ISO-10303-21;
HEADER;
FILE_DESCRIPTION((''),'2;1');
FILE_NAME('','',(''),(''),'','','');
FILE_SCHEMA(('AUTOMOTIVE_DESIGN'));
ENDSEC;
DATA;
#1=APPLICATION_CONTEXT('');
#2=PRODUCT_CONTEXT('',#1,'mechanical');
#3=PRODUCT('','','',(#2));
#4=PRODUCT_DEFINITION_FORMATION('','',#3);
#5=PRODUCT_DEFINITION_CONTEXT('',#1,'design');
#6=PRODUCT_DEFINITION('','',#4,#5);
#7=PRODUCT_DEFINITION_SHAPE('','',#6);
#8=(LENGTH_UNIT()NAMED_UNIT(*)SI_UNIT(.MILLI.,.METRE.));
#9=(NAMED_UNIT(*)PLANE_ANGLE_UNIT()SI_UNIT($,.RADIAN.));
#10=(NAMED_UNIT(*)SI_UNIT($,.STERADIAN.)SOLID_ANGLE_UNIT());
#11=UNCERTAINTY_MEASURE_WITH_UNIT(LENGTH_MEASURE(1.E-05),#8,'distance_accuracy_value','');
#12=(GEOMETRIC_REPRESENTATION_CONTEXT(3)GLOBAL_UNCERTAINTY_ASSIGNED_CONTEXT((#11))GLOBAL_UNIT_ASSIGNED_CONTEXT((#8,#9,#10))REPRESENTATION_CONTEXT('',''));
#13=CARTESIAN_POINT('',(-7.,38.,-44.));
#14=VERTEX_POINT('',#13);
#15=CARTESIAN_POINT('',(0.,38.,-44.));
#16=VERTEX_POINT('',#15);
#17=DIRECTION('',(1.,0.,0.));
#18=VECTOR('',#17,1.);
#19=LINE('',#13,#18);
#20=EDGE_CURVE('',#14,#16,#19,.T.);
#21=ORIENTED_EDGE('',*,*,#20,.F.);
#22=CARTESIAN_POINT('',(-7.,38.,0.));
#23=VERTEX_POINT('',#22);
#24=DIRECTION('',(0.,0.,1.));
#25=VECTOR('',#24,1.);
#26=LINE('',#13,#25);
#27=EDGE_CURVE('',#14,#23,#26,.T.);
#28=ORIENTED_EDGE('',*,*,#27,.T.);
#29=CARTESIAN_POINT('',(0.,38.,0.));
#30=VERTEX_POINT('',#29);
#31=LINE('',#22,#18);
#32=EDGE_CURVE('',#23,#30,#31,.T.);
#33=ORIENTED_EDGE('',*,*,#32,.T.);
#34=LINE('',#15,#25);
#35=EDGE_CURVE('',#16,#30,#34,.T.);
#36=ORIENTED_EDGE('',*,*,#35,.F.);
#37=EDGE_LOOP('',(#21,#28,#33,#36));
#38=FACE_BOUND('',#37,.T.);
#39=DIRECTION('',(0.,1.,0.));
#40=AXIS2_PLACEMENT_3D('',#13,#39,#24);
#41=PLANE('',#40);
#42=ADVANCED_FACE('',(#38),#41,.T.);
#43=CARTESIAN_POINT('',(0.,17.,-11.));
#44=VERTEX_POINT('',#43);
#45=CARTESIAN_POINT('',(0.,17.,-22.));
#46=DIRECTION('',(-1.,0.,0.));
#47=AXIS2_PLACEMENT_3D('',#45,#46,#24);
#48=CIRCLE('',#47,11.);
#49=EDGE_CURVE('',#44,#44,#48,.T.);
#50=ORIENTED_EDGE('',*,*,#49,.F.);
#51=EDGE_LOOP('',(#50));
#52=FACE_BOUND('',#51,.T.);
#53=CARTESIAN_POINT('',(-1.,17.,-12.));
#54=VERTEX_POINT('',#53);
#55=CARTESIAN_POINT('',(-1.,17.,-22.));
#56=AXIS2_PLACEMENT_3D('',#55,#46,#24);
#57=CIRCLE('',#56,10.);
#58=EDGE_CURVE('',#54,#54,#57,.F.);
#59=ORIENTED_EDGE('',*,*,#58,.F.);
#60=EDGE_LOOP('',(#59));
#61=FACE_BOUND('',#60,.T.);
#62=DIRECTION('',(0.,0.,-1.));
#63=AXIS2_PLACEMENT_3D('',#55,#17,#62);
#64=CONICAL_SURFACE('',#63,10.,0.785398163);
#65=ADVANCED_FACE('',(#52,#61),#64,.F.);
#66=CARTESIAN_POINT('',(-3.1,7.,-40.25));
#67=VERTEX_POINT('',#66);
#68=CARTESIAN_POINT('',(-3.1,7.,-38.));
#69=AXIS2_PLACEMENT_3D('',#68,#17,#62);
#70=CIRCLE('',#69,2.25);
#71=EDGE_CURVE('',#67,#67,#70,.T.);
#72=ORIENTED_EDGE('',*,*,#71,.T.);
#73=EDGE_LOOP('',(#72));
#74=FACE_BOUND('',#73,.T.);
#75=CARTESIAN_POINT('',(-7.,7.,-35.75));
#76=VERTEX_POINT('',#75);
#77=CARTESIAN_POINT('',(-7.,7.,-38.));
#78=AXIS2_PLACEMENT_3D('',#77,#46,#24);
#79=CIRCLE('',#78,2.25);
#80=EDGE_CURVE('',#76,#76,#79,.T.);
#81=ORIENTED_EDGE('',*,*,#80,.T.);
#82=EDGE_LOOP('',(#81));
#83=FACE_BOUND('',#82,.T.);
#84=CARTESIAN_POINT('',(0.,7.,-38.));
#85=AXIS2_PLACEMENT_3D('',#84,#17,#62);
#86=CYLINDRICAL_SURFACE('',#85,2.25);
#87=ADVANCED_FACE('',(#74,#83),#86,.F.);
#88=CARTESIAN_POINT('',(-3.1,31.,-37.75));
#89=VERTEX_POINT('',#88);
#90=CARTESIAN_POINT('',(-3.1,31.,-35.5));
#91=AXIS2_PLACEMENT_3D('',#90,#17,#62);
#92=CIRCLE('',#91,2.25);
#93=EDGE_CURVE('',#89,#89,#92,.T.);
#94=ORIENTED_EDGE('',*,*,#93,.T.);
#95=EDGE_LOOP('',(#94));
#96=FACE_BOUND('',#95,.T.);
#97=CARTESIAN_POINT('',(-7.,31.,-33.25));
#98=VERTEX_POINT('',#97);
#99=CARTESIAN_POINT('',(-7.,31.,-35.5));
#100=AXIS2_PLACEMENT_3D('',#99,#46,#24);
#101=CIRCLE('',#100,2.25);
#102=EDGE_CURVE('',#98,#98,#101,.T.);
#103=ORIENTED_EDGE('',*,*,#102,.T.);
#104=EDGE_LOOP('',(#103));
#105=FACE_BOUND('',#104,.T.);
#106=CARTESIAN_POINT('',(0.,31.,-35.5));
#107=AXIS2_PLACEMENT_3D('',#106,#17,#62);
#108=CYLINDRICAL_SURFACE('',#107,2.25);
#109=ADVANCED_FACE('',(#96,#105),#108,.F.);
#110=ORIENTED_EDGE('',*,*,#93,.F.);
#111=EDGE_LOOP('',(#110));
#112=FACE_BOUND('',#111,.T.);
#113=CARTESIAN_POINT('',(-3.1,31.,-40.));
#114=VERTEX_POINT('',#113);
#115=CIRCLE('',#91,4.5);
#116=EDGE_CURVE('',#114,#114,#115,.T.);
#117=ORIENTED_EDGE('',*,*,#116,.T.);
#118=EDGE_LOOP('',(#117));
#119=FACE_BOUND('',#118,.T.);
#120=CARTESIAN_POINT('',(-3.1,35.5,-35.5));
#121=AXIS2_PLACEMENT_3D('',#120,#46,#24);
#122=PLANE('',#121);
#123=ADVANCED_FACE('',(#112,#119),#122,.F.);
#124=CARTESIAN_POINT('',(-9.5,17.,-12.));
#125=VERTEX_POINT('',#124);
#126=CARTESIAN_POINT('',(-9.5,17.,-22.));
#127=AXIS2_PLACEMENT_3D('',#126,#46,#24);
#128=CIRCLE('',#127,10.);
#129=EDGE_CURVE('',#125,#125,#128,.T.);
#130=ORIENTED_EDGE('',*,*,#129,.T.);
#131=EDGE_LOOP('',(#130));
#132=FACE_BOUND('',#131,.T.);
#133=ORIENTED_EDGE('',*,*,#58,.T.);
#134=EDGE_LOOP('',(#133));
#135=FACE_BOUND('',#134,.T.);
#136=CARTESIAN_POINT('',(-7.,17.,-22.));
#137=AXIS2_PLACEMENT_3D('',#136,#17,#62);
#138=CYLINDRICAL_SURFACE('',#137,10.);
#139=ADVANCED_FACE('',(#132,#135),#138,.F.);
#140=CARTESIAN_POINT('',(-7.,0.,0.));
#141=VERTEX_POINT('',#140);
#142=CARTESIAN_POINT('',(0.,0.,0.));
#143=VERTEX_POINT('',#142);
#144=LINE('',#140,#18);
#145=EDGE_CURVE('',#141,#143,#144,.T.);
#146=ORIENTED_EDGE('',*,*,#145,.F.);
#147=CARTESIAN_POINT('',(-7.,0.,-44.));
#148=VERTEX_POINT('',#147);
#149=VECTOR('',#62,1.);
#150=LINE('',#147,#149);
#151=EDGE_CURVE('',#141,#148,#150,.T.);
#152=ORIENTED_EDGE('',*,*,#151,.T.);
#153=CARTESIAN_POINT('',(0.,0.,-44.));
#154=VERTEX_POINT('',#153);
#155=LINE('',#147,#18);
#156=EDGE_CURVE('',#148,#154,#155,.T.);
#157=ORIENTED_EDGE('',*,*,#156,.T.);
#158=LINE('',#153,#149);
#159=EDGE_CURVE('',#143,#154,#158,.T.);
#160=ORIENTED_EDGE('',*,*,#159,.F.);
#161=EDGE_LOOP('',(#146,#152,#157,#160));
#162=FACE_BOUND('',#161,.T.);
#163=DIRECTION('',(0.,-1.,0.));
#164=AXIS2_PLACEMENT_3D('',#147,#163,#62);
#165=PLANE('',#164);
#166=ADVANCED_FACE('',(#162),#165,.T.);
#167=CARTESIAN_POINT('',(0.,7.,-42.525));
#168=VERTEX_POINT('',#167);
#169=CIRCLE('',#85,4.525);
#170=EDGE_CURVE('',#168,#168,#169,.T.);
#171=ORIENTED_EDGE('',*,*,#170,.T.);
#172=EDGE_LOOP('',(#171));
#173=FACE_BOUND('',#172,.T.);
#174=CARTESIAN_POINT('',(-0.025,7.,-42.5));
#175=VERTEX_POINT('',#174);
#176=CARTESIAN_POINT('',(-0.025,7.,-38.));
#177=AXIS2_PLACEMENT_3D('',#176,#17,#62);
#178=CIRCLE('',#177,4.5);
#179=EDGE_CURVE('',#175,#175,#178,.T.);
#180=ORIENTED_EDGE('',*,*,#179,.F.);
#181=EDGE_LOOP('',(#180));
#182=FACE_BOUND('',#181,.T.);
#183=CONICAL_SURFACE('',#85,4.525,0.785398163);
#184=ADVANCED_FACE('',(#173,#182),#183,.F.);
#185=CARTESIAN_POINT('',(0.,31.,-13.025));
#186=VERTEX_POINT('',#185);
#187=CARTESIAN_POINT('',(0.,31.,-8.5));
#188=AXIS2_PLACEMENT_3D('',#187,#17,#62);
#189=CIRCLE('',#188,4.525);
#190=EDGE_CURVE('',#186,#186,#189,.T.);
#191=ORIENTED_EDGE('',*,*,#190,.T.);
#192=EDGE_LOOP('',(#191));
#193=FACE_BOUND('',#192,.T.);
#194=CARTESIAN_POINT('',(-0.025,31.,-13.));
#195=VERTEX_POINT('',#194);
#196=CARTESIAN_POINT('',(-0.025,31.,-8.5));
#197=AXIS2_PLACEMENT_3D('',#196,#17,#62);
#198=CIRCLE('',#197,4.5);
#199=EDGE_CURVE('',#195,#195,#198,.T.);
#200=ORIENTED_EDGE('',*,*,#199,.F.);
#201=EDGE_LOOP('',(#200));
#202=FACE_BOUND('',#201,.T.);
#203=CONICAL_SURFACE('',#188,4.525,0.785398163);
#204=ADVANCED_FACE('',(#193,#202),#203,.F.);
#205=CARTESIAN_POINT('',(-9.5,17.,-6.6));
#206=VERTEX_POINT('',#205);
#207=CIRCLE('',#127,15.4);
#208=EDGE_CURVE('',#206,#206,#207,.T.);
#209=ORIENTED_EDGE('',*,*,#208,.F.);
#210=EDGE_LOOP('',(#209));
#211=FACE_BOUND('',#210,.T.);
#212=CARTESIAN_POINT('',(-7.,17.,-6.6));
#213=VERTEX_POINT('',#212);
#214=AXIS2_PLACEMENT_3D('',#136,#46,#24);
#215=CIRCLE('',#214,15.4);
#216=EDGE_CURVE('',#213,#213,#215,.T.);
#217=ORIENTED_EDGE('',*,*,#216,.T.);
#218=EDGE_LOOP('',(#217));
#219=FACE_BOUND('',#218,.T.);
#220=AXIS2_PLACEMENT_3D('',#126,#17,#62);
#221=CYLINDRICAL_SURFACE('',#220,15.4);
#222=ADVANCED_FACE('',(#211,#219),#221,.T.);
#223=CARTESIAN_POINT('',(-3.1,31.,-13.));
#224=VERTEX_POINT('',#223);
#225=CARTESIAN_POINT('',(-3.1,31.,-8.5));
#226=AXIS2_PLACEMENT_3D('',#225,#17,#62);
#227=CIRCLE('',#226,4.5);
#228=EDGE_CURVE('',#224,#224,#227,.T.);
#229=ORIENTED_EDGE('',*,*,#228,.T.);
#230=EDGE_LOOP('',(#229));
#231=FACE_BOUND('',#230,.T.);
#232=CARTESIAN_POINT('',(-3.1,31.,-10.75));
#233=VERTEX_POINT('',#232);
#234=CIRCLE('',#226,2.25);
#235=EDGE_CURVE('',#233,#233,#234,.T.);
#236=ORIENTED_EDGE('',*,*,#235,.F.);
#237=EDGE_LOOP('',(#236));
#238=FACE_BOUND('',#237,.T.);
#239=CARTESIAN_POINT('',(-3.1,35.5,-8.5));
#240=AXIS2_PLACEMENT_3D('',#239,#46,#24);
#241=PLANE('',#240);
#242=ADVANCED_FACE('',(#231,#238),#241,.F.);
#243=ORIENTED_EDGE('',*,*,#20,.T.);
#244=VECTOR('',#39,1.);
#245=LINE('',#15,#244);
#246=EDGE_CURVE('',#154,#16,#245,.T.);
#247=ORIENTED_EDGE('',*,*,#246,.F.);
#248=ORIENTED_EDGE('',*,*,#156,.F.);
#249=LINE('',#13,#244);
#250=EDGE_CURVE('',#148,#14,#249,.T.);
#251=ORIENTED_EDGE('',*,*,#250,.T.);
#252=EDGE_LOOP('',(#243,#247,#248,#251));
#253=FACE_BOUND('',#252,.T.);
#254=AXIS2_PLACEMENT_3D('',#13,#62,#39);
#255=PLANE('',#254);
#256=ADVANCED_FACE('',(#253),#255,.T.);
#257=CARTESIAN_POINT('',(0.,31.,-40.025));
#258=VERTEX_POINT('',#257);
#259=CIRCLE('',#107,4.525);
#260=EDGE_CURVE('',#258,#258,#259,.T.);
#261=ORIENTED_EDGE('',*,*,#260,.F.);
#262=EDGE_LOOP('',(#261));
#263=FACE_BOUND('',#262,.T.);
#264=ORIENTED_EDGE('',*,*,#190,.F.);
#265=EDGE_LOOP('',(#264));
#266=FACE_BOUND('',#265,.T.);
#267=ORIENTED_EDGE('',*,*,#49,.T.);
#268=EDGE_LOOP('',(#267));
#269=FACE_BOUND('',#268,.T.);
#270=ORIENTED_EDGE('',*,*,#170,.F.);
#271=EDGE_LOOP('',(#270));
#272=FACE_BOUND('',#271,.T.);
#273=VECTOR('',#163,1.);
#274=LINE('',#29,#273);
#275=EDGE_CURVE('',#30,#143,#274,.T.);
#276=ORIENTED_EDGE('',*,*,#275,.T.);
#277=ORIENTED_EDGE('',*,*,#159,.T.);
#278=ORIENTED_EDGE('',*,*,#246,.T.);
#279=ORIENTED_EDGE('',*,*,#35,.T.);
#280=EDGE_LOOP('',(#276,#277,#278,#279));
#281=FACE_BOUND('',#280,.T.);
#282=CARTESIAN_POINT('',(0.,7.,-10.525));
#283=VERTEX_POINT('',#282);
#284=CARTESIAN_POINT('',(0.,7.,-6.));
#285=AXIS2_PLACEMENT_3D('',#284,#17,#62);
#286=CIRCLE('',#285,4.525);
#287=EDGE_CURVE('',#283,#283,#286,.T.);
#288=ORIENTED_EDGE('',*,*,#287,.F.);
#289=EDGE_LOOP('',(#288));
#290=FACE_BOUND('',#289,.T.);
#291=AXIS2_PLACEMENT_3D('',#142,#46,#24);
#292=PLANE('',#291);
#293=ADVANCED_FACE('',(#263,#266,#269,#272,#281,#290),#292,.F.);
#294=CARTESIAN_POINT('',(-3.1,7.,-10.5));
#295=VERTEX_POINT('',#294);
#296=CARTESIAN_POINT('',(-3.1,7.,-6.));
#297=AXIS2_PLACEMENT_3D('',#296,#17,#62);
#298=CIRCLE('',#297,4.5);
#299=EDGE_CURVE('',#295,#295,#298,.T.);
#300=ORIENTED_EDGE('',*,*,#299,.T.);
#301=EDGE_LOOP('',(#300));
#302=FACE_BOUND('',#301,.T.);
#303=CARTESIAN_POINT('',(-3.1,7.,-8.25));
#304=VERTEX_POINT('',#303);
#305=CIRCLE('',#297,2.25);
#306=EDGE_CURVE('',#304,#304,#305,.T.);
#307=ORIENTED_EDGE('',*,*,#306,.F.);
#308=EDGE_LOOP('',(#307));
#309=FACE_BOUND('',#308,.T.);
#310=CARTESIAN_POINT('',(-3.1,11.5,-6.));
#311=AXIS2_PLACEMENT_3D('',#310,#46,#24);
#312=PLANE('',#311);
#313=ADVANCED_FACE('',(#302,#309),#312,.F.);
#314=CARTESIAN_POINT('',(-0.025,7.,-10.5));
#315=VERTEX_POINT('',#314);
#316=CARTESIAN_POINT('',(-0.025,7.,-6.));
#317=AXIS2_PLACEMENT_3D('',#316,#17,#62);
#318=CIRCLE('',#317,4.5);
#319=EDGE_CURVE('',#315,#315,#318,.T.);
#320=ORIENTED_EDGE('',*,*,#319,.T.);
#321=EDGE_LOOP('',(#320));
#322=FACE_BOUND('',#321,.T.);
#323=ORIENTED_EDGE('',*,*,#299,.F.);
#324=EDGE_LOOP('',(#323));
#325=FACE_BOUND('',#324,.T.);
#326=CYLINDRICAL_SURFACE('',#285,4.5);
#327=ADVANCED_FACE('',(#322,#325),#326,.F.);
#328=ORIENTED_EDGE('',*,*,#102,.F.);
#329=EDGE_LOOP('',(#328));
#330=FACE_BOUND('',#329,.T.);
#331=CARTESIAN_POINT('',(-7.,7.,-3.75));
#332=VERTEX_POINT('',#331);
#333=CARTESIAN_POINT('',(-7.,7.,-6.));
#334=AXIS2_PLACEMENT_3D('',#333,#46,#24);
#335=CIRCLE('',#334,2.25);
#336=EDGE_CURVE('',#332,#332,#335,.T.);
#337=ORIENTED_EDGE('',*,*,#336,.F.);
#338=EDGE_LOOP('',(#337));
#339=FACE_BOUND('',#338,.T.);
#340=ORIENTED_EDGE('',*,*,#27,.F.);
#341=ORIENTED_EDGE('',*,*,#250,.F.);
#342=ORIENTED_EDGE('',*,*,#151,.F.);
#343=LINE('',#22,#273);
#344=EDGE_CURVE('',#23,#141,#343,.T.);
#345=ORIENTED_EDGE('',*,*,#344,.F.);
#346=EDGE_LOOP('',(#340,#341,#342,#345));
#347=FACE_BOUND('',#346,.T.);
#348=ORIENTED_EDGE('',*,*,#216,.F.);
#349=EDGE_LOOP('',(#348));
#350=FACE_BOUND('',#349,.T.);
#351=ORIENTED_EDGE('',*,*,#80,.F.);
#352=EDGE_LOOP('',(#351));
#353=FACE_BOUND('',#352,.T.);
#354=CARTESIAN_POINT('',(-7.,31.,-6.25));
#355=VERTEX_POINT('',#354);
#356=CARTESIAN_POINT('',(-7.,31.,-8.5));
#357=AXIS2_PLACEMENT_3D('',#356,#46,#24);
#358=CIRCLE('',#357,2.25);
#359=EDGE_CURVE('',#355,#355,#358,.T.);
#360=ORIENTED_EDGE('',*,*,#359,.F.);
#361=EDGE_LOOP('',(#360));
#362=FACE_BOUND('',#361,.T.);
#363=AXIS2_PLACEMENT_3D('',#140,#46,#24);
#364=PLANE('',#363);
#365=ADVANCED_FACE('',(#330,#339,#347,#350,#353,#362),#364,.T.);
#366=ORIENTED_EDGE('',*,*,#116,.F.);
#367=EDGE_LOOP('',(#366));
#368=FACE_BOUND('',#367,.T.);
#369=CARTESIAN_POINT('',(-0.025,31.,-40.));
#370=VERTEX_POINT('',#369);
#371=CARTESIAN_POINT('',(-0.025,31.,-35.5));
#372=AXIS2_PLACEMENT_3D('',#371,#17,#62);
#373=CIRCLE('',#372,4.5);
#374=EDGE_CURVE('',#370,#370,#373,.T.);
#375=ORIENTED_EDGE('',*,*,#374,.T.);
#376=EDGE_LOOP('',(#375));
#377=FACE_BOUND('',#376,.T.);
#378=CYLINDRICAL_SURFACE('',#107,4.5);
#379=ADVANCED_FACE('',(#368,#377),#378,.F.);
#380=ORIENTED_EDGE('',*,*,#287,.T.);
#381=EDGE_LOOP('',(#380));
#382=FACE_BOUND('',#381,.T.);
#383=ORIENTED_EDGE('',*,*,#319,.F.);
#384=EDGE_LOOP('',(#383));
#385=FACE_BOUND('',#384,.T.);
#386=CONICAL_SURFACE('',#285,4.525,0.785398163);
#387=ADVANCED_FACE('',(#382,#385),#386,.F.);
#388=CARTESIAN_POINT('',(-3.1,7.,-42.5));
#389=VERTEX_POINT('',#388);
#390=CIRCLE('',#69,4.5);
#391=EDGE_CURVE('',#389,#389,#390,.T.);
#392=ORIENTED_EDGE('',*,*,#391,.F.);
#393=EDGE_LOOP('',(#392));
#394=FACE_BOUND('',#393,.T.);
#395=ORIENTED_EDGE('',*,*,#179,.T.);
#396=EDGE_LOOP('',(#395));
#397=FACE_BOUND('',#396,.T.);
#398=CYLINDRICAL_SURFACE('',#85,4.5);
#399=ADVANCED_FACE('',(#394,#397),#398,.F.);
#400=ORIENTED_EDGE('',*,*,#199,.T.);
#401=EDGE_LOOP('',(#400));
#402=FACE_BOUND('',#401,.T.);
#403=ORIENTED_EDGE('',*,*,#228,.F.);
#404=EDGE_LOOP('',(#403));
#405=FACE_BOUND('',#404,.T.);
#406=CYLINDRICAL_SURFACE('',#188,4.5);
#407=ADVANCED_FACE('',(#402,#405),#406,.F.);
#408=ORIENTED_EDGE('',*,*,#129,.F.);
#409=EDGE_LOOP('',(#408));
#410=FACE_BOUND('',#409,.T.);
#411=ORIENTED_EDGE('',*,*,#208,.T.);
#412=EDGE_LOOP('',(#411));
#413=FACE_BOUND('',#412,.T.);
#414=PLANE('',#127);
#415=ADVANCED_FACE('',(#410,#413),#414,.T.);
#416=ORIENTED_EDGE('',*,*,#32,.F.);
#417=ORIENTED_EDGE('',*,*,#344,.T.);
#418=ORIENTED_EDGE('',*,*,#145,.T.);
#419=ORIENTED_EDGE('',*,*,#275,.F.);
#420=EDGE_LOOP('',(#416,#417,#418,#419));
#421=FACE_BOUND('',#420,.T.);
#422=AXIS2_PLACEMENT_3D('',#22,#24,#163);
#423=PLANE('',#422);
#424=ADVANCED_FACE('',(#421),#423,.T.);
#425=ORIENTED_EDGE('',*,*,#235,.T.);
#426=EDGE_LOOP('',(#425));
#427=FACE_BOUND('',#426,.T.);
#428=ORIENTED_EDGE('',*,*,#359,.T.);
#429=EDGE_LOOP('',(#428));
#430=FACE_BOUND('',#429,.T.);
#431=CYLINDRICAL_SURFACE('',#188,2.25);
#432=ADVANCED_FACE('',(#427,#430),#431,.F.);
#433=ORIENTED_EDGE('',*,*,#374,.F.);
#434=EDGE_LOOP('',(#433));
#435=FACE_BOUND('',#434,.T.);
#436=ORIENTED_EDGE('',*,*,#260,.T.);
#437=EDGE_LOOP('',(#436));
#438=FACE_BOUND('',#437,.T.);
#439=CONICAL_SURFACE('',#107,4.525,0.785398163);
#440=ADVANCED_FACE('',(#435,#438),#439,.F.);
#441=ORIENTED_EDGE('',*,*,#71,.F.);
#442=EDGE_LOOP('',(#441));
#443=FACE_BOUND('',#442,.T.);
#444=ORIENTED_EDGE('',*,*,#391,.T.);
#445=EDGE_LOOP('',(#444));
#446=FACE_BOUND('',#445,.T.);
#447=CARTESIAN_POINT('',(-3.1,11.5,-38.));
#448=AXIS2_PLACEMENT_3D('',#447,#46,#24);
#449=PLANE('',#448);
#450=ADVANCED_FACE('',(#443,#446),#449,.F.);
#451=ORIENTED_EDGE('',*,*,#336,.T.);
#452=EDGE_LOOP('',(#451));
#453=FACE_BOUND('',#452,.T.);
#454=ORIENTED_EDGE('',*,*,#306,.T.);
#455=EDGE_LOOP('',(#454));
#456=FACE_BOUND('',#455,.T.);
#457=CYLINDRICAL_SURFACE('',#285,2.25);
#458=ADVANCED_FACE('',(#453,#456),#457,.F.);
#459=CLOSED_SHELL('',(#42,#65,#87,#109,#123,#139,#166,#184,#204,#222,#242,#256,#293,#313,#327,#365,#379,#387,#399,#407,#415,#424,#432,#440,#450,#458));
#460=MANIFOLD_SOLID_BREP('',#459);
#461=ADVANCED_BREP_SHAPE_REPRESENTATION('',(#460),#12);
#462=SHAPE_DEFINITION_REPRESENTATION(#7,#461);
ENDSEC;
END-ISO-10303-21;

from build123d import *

# Parameters (mm, degrees)
ESBO_O1_W                                    = 44
ESBO_O1_H                                    = 38
ESBO_O1_R                                    = 10
RESSALTO_EXTRUS_O1_DEPTH                     = 7
ESBO_O2_R                                    = 15.4
ESBO_O2_R_2                                  = 10
RESSALTO_EXTRUS_O2_DEPTH                     = 2.5
CHANFRO1_SIZE                                = 1
REBAIXO_PARA_PARAFUSO_COM_CABE_A_PAN_2_COUNT = 2
REBAIXO_PARA_PARAFUSO_COM_CABE_A_PAN_2_PITCH = 27
REBAIXO_PARA_PARAFUSO_COM_CABE_A_PAN_3_COUNT = 2
REBAIXO_PARA_PARAFUSO_COM_CABE_A_PAN_3_PITCH = 38.02959374
REBAIXO_PARA_PARAFUSO_COM_CABE_A_PAN_4_COUNT = 2
REBAIXO_PARA_PARAFUSO_COM_CABE_A_PAN_4_PITCH = 24.129857024


with BuildPart() as part:
    # Esboço1 → Ressalto-extrusão1 (new body)
    with BuildSketch(Plane(origin=(0, 0, 0), x_dir=(0, 0, -1), z_dir=(1, 0, 0))):
        with Locations((22, 19)):
            Rectangle(ESBO_O1_W, ESBO_O1_H)
        with Locations((22, 17)):
            Circle(ESBO_O1_R, mode=Mode.SUBTRACT)
    extrude(amount=-RESSALTO_EXTRUS_O1_DEPTH)

    # Esboço2 → Ressalto-extrusão2 (add)
    with BuildSketch(Plane.ZY.offset(7)):
        with Locations((-22, 17)):
            Circle(ESBO_O2_R)
        with Locations(Location((-22, 17, 0), (0, 0, 180))):
            Circle(ESBO_O2_R_2, mode=Mode.SUBTRACT)
    extrude(amount=RESSALTO_EXTRUS_O2_DEPTH)

    # Chanfro1
    chanfro1_edges = [part.edges().sort_by_distance(p)[0] for p in [
        (0, 17, -12),
    ]]
    chamfer(chanfro1_edges, length=CHANFRO1_SIZE)

    # Esboço4 → Rebaixo para parafuso com cabeça panela de M41 (revolve, cut)
    with BuildSketch(Plane(origin=(0, 31, -8.5), x_dir=(0, 0, -1), z_dir=(0, 1, 0))):
        Polygon((0, 0), (0, 9.5), (2.25, 9.5), (2.25, 3.1), (4.5, 3.1), (4.5, 0.025), (4.525, 0), align=None)
    rebaixo_para_parafuso_com_cabe_a_panela = revolve(axis=Axis((6.35, 31, -8.5), (-1, 0, 0)), mode=Mode.SUBTRACT)

    # Rebaixo para parafuso com cabe_a pan 2: Rebaixo para parafuso com cabeça panela de M41 ×2
    with Locations(*[(0, 0, -i * REBAIXO_PARA_PARAFUSO_COM_CABE_A_PAN_2_PITCH) for i in range(1, REBAIXO_PARA_PARAFUSO_COM_CABE_A_PAN_2_COUNT)]):
        add(rebaixo_para_parafuso_com_cabe_a_panela, mode=Mode.SUBTRACT)

    # Rebaixo para parafuso com cabe_a pan 3: Rebaixo para parafuso com cabeça panela de M41 ×2
    with Locations(*[Vector(0, -0.6310874674162201, -0.7757116786991037) * (i * REBAIXO_PARA_PARAFUSO_COM_CABE_A_PAN_3_PITCH) for i in range(1, REBAIXO_PARA_PARAFUSO_COM_CABE_A_PAN_3_COUNT)]):
        add(rebaixo_para_parafuso_com_cabe_a_panela, mode=Mode.SUBTRACT)

    # Rebaixo para parafuso com cabe_a pan 4: Rebaixo para parafuso com cabeça panela de M41 ×2
    with Locations(*[Vector(0, -0.9946184088907778, 0.10360608425945594) * (i * REBAIXO_PARA_PARAFUSO_COM_CABE_A_PAN_4_PITCH) for i in range(1, REBAIXO_PARA_PARAFUSO_COM_CABE_A_PAN_4_COUNT)]):
        add(rebaixo_para_parafuso_com_cabe_a_panela, mode=Mode.SUBTRACT)


solid = part.part
